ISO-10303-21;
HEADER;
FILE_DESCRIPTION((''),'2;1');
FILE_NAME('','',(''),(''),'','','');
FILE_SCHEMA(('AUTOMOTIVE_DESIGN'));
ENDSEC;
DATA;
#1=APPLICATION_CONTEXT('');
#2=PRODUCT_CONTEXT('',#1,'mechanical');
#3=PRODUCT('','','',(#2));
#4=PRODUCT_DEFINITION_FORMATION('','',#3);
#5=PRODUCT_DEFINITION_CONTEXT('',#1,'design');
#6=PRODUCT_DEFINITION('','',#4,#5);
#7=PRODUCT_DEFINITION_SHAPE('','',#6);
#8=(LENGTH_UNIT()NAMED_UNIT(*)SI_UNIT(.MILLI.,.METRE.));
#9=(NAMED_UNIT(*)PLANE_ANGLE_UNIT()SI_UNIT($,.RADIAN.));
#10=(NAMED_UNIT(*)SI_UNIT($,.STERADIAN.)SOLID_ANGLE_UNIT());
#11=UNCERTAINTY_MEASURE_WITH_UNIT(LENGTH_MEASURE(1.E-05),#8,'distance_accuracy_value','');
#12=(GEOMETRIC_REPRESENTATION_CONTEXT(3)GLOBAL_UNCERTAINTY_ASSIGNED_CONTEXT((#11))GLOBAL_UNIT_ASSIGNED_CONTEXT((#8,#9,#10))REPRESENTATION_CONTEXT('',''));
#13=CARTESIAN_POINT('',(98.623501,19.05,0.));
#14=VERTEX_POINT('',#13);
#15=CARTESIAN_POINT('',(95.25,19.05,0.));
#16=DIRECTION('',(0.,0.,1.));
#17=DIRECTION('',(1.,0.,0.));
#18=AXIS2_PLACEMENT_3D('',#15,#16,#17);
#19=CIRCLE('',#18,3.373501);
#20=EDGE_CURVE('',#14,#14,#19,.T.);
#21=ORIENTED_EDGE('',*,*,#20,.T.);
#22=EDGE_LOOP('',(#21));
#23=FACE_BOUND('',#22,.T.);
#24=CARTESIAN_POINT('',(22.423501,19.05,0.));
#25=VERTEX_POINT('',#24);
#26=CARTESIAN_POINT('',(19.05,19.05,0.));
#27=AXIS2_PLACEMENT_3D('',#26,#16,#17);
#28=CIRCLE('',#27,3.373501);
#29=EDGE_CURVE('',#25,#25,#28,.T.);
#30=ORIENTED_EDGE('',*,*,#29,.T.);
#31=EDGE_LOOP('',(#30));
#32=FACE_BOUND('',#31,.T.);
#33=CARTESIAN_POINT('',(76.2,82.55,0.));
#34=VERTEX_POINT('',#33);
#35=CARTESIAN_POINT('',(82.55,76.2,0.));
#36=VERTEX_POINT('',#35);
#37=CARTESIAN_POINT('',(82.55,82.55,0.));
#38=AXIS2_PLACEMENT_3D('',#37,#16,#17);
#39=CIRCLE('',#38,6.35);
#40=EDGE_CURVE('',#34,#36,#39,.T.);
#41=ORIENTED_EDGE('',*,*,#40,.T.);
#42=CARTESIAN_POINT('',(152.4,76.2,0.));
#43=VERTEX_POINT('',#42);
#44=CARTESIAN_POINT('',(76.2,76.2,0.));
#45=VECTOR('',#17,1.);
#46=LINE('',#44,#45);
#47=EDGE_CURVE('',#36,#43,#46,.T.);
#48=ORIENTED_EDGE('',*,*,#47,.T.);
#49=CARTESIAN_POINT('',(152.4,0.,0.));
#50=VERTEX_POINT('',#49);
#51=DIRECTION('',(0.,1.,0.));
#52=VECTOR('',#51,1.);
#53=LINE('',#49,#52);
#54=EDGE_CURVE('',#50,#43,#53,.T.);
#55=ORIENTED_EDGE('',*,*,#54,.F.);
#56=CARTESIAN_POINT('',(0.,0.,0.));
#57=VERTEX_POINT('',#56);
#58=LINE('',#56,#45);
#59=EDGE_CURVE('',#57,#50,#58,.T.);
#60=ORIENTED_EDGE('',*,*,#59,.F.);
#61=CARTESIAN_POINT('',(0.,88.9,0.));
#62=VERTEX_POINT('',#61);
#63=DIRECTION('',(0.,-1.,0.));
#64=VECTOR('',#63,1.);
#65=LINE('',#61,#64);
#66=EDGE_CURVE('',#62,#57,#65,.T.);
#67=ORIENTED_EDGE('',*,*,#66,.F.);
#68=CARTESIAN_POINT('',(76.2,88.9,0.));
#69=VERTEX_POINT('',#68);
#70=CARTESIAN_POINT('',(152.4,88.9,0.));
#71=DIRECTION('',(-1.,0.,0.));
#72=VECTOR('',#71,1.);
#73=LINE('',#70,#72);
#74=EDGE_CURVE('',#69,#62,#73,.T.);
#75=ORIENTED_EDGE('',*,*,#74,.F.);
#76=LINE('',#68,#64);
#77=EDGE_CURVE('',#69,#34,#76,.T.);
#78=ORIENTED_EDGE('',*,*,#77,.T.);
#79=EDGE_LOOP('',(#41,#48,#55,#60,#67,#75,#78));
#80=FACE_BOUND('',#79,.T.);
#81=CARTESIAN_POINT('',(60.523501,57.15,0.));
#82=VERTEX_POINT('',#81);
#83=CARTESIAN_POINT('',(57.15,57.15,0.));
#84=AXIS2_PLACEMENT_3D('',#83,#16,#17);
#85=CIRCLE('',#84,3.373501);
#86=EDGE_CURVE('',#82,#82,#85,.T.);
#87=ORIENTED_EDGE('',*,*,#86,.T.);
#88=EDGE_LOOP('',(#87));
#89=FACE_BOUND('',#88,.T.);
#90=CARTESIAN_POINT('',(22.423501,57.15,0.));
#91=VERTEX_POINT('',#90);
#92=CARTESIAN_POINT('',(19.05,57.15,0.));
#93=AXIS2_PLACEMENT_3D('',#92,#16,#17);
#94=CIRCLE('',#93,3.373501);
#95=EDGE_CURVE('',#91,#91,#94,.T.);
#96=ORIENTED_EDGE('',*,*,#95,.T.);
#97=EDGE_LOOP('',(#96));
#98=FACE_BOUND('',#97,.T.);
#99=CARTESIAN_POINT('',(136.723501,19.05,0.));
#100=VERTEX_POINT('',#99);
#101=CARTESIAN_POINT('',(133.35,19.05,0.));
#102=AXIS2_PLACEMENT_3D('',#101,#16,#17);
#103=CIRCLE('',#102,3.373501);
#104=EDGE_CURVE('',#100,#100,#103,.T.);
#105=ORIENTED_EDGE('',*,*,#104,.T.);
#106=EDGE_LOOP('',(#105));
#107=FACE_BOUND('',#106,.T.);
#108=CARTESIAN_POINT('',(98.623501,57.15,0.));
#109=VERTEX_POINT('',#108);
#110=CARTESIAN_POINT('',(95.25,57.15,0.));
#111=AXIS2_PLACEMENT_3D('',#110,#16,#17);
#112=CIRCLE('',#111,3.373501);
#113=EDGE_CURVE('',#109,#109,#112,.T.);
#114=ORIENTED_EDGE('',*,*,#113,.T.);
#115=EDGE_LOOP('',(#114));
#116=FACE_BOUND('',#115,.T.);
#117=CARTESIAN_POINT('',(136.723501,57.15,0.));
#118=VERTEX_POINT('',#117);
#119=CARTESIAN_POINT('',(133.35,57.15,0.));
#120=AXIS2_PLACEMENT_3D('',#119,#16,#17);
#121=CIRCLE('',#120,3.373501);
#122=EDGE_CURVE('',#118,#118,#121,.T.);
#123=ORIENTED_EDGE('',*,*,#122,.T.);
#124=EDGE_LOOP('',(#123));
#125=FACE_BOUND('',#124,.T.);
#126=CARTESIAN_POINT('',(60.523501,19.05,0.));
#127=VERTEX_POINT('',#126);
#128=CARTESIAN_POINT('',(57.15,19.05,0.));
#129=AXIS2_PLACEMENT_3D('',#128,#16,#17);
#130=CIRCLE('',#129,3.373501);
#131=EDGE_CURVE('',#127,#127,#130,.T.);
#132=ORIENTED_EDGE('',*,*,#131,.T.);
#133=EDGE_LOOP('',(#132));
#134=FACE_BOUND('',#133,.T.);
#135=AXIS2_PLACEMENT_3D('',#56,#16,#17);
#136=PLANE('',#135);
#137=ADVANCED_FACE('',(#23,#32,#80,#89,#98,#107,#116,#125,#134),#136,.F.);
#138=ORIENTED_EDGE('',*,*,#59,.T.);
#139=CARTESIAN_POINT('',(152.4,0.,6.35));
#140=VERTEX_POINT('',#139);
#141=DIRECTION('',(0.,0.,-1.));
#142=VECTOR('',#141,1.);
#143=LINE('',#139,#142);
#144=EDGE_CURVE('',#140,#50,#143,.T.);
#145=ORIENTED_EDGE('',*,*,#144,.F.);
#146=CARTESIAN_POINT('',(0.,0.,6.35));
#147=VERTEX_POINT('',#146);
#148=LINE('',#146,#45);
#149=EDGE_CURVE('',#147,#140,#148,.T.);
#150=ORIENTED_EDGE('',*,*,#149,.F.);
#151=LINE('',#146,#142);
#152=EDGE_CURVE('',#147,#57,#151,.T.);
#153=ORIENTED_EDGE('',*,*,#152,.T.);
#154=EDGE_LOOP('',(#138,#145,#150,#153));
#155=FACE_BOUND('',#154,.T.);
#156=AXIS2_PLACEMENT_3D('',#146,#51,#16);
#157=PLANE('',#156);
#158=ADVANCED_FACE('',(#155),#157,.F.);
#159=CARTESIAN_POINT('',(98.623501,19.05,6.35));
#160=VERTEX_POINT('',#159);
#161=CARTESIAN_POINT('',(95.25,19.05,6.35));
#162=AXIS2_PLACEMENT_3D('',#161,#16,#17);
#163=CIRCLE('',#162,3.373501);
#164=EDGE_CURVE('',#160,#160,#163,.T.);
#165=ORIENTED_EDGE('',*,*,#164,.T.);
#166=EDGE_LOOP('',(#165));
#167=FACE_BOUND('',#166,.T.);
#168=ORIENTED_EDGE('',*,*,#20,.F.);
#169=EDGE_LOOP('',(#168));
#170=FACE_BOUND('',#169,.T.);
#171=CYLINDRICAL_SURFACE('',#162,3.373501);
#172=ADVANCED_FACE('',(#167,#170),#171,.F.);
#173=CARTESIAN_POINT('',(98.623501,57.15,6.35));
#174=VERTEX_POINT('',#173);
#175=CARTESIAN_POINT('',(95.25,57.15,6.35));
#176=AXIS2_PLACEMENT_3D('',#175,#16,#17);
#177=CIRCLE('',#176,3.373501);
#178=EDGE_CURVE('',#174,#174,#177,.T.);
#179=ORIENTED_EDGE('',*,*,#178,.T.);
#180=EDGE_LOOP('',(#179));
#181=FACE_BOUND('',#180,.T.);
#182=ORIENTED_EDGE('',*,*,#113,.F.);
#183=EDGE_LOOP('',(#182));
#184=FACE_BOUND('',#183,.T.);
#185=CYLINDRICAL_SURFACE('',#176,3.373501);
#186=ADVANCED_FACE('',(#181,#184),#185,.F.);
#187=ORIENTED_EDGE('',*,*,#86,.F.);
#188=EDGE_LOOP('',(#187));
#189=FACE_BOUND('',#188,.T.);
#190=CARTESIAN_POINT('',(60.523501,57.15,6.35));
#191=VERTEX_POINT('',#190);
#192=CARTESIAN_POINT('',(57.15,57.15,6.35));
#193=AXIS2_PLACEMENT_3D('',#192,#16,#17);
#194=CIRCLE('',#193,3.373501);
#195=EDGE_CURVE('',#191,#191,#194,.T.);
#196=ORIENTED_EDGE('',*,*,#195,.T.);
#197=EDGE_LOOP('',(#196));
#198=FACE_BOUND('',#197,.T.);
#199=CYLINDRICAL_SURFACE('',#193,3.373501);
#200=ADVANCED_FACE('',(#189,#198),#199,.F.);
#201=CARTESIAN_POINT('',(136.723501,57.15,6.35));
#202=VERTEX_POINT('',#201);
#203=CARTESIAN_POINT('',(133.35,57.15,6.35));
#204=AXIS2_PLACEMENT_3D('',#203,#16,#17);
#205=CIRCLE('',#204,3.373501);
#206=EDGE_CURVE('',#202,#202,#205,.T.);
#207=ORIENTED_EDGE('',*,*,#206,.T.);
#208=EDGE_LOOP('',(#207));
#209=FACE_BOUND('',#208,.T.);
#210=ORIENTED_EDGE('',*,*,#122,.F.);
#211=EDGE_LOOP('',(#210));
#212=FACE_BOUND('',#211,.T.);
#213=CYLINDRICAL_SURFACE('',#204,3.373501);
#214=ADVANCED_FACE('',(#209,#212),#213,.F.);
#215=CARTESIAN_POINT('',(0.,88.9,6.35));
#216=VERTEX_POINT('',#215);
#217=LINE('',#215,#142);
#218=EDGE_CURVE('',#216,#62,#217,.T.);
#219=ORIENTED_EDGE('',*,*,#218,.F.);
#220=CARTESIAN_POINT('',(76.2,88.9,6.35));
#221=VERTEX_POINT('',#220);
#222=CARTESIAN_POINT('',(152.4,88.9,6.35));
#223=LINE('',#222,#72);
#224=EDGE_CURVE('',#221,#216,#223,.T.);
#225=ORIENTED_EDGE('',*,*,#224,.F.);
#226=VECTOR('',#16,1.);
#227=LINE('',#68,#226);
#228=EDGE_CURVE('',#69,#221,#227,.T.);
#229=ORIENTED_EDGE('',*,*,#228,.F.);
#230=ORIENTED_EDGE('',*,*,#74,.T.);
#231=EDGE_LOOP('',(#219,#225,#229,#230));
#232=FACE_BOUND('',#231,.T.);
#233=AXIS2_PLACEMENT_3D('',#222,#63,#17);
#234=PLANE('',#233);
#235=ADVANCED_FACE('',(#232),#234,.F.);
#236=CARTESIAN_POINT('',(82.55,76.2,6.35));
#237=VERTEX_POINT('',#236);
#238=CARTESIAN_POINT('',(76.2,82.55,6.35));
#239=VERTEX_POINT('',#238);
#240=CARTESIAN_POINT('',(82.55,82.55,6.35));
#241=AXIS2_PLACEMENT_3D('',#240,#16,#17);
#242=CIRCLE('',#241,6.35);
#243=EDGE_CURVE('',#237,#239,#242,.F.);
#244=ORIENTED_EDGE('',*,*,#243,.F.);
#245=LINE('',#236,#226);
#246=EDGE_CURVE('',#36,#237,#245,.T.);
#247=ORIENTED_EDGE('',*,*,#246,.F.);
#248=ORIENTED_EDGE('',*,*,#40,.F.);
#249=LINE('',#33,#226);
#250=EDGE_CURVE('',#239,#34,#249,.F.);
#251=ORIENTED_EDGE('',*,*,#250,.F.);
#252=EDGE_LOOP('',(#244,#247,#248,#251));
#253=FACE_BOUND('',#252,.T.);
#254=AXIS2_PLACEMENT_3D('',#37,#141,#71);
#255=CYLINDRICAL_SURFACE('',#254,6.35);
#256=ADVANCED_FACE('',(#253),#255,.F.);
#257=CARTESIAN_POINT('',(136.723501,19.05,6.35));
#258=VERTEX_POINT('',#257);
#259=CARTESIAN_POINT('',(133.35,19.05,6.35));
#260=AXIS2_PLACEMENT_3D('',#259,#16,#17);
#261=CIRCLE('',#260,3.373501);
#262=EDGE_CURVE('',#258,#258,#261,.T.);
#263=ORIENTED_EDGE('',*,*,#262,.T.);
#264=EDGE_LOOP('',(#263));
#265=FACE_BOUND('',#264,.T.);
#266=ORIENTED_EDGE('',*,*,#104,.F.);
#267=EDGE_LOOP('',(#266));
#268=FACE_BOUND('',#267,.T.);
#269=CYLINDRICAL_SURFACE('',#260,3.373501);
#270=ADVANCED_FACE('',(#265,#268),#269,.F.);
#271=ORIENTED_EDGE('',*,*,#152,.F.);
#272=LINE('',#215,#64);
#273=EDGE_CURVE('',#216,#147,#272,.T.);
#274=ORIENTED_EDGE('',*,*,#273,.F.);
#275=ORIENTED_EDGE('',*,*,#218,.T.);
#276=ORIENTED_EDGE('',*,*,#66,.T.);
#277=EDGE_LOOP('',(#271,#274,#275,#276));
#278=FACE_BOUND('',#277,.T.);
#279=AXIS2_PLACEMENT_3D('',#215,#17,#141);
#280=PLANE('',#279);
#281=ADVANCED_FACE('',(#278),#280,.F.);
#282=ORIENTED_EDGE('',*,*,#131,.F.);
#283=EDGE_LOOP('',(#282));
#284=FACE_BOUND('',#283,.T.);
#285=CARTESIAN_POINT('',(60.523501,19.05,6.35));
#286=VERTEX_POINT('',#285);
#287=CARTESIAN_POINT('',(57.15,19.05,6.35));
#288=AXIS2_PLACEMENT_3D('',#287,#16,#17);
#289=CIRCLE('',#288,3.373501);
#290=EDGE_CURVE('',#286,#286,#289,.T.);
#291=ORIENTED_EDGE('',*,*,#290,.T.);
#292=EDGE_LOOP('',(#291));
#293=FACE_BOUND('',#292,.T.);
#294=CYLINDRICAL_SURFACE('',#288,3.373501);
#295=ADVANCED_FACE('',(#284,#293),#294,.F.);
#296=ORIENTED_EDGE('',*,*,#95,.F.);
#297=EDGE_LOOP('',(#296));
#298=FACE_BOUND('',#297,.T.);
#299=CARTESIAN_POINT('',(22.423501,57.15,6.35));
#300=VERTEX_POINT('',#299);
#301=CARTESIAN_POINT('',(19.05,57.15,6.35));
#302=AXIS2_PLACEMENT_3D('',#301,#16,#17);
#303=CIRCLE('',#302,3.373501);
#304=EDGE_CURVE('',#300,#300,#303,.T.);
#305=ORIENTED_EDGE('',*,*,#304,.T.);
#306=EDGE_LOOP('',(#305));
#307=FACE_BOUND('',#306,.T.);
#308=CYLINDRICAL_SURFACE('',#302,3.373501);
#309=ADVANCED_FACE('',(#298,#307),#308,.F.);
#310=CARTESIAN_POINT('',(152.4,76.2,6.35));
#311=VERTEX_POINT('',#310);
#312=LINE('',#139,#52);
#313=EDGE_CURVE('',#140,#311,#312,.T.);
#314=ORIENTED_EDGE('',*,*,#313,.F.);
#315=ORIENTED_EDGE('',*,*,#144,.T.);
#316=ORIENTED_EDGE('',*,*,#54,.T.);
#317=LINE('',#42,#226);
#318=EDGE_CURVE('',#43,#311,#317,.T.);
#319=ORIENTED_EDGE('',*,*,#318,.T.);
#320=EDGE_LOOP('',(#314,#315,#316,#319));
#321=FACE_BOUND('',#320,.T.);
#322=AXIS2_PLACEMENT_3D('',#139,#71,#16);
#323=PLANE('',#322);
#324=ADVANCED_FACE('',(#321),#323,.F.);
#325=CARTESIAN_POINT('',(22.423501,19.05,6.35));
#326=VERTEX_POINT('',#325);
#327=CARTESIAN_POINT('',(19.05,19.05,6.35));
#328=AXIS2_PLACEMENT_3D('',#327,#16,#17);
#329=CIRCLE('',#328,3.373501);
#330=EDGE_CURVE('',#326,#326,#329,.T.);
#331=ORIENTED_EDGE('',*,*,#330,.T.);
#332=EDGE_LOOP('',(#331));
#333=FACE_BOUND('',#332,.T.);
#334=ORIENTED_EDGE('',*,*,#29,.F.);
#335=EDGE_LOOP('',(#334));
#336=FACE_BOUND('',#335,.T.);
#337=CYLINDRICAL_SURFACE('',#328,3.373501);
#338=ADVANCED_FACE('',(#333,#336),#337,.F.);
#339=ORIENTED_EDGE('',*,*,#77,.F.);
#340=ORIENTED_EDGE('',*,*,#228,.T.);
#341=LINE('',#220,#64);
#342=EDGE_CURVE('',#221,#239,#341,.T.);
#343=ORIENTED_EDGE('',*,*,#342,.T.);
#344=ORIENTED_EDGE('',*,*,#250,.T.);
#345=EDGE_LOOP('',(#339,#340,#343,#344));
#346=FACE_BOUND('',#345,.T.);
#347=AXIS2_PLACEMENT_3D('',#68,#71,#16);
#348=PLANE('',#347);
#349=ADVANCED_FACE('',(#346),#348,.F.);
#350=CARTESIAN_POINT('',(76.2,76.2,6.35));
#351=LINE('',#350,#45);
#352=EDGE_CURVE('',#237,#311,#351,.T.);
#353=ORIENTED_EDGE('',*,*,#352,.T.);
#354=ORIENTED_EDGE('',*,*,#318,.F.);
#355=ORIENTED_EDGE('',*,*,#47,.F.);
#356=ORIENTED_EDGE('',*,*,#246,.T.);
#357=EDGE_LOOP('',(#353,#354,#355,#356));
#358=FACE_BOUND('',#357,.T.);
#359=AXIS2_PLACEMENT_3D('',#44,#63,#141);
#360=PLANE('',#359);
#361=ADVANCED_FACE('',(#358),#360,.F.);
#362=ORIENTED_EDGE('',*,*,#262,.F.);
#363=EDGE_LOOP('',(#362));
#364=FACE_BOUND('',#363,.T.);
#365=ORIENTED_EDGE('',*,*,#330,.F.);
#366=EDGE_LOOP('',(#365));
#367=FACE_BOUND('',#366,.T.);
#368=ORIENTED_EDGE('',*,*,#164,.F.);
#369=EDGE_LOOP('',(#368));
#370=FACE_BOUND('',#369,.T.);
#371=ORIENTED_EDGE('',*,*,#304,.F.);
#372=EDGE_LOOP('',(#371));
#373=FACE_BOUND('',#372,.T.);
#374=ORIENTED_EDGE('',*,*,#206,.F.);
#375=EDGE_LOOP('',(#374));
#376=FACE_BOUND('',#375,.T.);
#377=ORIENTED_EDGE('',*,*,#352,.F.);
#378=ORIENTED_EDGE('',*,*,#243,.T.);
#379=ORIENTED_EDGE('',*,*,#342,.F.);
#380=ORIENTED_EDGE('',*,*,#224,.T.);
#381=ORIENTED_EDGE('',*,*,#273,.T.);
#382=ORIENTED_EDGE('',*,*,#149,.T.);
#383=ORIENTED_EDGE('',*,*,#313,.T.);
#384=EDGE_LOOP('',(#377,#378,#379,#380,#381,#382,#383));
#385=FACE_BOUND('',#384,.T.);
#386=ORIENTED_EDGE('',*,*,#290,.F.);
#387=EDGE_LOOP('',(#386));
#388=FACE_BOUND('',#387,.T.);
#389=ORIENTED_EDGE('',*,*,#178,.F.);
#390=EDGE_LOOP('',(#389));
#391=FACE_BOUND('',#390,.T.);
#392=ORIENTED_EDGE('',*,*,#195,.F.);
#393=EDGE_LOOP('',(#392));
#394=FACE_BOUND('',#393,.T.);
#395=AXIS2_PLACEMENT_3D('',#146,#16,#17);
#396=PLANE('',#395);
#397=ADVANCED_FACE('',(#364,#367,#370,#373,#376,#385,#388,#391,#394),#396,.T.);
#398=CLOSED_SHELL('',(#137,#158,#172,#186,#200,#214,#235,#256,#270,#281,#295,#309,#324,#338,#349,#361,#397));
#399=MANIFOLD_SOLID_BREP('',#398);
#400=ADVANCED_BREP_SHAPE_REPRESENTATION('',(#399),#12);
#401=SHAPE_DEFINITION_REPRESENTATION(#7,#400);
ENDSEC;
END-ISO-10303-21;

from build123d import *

# Parameters (mm, degrees)
SKETCH1_W                        = 152.4
SKETCH1_H                        = 88.9
BOSS_EXTRUDE1_DEPTH              = 6.35
F_17_64_0_26563_DIAMETER_HOLE1_D = 6.747002
LPATTERN1_COUNT                  = 4
LPATTERN1_PITCH                  = 38.1
LPATTERN1_COUNT_DIR2             = 2
LPATTERN1_PITCH_DIR2             = 38.1
SKETCH4_W                        = 76.2
SKETCH4_H                        = 12.7
CUT_EXTRUDE1_DEPTH               = 177.548272436
FILLET1_R                        = 6.35


with BuildPart() as part:
    # Sketch1 → Boss-Extrude1 (new body)
    with BuildSketch(Plane.XY):
        with Locations((76.2, 44.45)):
            Rectangle(SKETCH1_W, SKETCH1_H)
    extrude(amount=BOSS_EXTRUDE1_DEPTH)

    # 17/64 (0.26563) Diameter Hole1 (through all)
    with Locations(Plane.XY.offset(6.35)):
        with Locations((19.05, 19.05)):
            f_17_64_0_26563_diameter_hole1 = Hole(F_17_64_0_26563_DIAMETER_HOLE1_D / 2)

    # LPattern1: 17_64 _0.26563_ Diameter Hole1 4 × 2
    with Locations(*[(i * LPATTERN1_PITCH, j * LPATTERN1_PITCH_DIR2, 0) for i in range(LPATTERN1_COUNT) for j in range(LPATTERN1_COUNT_DIR2) if (i, j) != (0, 0)]):
        add(f_17_64_0_26563_diameter_hole1, mode=Mode.SUBTRACT)

    # Sketch4 → Cut-Extrude1 (cut, through all)
    with BuildSketch(Plane.XY.offset(6.35)):
        with Locations((114.3, 82.55)):
            Rectangle(SKETCH4_W, SKETCH4_H)
    extrude(amount=-CUT_EXTRUDE1_DEPTH, mode=Mode.SUBTRACT)

    # Fillet1
    fillet1_edges = [part.edges().sort_by_distance(p)[0] for p in [
        (76.2, 76.2, 3.175),
    ]]
    fillet(fillet1_edges, radius=FILLET1_R)


solid = part.part
